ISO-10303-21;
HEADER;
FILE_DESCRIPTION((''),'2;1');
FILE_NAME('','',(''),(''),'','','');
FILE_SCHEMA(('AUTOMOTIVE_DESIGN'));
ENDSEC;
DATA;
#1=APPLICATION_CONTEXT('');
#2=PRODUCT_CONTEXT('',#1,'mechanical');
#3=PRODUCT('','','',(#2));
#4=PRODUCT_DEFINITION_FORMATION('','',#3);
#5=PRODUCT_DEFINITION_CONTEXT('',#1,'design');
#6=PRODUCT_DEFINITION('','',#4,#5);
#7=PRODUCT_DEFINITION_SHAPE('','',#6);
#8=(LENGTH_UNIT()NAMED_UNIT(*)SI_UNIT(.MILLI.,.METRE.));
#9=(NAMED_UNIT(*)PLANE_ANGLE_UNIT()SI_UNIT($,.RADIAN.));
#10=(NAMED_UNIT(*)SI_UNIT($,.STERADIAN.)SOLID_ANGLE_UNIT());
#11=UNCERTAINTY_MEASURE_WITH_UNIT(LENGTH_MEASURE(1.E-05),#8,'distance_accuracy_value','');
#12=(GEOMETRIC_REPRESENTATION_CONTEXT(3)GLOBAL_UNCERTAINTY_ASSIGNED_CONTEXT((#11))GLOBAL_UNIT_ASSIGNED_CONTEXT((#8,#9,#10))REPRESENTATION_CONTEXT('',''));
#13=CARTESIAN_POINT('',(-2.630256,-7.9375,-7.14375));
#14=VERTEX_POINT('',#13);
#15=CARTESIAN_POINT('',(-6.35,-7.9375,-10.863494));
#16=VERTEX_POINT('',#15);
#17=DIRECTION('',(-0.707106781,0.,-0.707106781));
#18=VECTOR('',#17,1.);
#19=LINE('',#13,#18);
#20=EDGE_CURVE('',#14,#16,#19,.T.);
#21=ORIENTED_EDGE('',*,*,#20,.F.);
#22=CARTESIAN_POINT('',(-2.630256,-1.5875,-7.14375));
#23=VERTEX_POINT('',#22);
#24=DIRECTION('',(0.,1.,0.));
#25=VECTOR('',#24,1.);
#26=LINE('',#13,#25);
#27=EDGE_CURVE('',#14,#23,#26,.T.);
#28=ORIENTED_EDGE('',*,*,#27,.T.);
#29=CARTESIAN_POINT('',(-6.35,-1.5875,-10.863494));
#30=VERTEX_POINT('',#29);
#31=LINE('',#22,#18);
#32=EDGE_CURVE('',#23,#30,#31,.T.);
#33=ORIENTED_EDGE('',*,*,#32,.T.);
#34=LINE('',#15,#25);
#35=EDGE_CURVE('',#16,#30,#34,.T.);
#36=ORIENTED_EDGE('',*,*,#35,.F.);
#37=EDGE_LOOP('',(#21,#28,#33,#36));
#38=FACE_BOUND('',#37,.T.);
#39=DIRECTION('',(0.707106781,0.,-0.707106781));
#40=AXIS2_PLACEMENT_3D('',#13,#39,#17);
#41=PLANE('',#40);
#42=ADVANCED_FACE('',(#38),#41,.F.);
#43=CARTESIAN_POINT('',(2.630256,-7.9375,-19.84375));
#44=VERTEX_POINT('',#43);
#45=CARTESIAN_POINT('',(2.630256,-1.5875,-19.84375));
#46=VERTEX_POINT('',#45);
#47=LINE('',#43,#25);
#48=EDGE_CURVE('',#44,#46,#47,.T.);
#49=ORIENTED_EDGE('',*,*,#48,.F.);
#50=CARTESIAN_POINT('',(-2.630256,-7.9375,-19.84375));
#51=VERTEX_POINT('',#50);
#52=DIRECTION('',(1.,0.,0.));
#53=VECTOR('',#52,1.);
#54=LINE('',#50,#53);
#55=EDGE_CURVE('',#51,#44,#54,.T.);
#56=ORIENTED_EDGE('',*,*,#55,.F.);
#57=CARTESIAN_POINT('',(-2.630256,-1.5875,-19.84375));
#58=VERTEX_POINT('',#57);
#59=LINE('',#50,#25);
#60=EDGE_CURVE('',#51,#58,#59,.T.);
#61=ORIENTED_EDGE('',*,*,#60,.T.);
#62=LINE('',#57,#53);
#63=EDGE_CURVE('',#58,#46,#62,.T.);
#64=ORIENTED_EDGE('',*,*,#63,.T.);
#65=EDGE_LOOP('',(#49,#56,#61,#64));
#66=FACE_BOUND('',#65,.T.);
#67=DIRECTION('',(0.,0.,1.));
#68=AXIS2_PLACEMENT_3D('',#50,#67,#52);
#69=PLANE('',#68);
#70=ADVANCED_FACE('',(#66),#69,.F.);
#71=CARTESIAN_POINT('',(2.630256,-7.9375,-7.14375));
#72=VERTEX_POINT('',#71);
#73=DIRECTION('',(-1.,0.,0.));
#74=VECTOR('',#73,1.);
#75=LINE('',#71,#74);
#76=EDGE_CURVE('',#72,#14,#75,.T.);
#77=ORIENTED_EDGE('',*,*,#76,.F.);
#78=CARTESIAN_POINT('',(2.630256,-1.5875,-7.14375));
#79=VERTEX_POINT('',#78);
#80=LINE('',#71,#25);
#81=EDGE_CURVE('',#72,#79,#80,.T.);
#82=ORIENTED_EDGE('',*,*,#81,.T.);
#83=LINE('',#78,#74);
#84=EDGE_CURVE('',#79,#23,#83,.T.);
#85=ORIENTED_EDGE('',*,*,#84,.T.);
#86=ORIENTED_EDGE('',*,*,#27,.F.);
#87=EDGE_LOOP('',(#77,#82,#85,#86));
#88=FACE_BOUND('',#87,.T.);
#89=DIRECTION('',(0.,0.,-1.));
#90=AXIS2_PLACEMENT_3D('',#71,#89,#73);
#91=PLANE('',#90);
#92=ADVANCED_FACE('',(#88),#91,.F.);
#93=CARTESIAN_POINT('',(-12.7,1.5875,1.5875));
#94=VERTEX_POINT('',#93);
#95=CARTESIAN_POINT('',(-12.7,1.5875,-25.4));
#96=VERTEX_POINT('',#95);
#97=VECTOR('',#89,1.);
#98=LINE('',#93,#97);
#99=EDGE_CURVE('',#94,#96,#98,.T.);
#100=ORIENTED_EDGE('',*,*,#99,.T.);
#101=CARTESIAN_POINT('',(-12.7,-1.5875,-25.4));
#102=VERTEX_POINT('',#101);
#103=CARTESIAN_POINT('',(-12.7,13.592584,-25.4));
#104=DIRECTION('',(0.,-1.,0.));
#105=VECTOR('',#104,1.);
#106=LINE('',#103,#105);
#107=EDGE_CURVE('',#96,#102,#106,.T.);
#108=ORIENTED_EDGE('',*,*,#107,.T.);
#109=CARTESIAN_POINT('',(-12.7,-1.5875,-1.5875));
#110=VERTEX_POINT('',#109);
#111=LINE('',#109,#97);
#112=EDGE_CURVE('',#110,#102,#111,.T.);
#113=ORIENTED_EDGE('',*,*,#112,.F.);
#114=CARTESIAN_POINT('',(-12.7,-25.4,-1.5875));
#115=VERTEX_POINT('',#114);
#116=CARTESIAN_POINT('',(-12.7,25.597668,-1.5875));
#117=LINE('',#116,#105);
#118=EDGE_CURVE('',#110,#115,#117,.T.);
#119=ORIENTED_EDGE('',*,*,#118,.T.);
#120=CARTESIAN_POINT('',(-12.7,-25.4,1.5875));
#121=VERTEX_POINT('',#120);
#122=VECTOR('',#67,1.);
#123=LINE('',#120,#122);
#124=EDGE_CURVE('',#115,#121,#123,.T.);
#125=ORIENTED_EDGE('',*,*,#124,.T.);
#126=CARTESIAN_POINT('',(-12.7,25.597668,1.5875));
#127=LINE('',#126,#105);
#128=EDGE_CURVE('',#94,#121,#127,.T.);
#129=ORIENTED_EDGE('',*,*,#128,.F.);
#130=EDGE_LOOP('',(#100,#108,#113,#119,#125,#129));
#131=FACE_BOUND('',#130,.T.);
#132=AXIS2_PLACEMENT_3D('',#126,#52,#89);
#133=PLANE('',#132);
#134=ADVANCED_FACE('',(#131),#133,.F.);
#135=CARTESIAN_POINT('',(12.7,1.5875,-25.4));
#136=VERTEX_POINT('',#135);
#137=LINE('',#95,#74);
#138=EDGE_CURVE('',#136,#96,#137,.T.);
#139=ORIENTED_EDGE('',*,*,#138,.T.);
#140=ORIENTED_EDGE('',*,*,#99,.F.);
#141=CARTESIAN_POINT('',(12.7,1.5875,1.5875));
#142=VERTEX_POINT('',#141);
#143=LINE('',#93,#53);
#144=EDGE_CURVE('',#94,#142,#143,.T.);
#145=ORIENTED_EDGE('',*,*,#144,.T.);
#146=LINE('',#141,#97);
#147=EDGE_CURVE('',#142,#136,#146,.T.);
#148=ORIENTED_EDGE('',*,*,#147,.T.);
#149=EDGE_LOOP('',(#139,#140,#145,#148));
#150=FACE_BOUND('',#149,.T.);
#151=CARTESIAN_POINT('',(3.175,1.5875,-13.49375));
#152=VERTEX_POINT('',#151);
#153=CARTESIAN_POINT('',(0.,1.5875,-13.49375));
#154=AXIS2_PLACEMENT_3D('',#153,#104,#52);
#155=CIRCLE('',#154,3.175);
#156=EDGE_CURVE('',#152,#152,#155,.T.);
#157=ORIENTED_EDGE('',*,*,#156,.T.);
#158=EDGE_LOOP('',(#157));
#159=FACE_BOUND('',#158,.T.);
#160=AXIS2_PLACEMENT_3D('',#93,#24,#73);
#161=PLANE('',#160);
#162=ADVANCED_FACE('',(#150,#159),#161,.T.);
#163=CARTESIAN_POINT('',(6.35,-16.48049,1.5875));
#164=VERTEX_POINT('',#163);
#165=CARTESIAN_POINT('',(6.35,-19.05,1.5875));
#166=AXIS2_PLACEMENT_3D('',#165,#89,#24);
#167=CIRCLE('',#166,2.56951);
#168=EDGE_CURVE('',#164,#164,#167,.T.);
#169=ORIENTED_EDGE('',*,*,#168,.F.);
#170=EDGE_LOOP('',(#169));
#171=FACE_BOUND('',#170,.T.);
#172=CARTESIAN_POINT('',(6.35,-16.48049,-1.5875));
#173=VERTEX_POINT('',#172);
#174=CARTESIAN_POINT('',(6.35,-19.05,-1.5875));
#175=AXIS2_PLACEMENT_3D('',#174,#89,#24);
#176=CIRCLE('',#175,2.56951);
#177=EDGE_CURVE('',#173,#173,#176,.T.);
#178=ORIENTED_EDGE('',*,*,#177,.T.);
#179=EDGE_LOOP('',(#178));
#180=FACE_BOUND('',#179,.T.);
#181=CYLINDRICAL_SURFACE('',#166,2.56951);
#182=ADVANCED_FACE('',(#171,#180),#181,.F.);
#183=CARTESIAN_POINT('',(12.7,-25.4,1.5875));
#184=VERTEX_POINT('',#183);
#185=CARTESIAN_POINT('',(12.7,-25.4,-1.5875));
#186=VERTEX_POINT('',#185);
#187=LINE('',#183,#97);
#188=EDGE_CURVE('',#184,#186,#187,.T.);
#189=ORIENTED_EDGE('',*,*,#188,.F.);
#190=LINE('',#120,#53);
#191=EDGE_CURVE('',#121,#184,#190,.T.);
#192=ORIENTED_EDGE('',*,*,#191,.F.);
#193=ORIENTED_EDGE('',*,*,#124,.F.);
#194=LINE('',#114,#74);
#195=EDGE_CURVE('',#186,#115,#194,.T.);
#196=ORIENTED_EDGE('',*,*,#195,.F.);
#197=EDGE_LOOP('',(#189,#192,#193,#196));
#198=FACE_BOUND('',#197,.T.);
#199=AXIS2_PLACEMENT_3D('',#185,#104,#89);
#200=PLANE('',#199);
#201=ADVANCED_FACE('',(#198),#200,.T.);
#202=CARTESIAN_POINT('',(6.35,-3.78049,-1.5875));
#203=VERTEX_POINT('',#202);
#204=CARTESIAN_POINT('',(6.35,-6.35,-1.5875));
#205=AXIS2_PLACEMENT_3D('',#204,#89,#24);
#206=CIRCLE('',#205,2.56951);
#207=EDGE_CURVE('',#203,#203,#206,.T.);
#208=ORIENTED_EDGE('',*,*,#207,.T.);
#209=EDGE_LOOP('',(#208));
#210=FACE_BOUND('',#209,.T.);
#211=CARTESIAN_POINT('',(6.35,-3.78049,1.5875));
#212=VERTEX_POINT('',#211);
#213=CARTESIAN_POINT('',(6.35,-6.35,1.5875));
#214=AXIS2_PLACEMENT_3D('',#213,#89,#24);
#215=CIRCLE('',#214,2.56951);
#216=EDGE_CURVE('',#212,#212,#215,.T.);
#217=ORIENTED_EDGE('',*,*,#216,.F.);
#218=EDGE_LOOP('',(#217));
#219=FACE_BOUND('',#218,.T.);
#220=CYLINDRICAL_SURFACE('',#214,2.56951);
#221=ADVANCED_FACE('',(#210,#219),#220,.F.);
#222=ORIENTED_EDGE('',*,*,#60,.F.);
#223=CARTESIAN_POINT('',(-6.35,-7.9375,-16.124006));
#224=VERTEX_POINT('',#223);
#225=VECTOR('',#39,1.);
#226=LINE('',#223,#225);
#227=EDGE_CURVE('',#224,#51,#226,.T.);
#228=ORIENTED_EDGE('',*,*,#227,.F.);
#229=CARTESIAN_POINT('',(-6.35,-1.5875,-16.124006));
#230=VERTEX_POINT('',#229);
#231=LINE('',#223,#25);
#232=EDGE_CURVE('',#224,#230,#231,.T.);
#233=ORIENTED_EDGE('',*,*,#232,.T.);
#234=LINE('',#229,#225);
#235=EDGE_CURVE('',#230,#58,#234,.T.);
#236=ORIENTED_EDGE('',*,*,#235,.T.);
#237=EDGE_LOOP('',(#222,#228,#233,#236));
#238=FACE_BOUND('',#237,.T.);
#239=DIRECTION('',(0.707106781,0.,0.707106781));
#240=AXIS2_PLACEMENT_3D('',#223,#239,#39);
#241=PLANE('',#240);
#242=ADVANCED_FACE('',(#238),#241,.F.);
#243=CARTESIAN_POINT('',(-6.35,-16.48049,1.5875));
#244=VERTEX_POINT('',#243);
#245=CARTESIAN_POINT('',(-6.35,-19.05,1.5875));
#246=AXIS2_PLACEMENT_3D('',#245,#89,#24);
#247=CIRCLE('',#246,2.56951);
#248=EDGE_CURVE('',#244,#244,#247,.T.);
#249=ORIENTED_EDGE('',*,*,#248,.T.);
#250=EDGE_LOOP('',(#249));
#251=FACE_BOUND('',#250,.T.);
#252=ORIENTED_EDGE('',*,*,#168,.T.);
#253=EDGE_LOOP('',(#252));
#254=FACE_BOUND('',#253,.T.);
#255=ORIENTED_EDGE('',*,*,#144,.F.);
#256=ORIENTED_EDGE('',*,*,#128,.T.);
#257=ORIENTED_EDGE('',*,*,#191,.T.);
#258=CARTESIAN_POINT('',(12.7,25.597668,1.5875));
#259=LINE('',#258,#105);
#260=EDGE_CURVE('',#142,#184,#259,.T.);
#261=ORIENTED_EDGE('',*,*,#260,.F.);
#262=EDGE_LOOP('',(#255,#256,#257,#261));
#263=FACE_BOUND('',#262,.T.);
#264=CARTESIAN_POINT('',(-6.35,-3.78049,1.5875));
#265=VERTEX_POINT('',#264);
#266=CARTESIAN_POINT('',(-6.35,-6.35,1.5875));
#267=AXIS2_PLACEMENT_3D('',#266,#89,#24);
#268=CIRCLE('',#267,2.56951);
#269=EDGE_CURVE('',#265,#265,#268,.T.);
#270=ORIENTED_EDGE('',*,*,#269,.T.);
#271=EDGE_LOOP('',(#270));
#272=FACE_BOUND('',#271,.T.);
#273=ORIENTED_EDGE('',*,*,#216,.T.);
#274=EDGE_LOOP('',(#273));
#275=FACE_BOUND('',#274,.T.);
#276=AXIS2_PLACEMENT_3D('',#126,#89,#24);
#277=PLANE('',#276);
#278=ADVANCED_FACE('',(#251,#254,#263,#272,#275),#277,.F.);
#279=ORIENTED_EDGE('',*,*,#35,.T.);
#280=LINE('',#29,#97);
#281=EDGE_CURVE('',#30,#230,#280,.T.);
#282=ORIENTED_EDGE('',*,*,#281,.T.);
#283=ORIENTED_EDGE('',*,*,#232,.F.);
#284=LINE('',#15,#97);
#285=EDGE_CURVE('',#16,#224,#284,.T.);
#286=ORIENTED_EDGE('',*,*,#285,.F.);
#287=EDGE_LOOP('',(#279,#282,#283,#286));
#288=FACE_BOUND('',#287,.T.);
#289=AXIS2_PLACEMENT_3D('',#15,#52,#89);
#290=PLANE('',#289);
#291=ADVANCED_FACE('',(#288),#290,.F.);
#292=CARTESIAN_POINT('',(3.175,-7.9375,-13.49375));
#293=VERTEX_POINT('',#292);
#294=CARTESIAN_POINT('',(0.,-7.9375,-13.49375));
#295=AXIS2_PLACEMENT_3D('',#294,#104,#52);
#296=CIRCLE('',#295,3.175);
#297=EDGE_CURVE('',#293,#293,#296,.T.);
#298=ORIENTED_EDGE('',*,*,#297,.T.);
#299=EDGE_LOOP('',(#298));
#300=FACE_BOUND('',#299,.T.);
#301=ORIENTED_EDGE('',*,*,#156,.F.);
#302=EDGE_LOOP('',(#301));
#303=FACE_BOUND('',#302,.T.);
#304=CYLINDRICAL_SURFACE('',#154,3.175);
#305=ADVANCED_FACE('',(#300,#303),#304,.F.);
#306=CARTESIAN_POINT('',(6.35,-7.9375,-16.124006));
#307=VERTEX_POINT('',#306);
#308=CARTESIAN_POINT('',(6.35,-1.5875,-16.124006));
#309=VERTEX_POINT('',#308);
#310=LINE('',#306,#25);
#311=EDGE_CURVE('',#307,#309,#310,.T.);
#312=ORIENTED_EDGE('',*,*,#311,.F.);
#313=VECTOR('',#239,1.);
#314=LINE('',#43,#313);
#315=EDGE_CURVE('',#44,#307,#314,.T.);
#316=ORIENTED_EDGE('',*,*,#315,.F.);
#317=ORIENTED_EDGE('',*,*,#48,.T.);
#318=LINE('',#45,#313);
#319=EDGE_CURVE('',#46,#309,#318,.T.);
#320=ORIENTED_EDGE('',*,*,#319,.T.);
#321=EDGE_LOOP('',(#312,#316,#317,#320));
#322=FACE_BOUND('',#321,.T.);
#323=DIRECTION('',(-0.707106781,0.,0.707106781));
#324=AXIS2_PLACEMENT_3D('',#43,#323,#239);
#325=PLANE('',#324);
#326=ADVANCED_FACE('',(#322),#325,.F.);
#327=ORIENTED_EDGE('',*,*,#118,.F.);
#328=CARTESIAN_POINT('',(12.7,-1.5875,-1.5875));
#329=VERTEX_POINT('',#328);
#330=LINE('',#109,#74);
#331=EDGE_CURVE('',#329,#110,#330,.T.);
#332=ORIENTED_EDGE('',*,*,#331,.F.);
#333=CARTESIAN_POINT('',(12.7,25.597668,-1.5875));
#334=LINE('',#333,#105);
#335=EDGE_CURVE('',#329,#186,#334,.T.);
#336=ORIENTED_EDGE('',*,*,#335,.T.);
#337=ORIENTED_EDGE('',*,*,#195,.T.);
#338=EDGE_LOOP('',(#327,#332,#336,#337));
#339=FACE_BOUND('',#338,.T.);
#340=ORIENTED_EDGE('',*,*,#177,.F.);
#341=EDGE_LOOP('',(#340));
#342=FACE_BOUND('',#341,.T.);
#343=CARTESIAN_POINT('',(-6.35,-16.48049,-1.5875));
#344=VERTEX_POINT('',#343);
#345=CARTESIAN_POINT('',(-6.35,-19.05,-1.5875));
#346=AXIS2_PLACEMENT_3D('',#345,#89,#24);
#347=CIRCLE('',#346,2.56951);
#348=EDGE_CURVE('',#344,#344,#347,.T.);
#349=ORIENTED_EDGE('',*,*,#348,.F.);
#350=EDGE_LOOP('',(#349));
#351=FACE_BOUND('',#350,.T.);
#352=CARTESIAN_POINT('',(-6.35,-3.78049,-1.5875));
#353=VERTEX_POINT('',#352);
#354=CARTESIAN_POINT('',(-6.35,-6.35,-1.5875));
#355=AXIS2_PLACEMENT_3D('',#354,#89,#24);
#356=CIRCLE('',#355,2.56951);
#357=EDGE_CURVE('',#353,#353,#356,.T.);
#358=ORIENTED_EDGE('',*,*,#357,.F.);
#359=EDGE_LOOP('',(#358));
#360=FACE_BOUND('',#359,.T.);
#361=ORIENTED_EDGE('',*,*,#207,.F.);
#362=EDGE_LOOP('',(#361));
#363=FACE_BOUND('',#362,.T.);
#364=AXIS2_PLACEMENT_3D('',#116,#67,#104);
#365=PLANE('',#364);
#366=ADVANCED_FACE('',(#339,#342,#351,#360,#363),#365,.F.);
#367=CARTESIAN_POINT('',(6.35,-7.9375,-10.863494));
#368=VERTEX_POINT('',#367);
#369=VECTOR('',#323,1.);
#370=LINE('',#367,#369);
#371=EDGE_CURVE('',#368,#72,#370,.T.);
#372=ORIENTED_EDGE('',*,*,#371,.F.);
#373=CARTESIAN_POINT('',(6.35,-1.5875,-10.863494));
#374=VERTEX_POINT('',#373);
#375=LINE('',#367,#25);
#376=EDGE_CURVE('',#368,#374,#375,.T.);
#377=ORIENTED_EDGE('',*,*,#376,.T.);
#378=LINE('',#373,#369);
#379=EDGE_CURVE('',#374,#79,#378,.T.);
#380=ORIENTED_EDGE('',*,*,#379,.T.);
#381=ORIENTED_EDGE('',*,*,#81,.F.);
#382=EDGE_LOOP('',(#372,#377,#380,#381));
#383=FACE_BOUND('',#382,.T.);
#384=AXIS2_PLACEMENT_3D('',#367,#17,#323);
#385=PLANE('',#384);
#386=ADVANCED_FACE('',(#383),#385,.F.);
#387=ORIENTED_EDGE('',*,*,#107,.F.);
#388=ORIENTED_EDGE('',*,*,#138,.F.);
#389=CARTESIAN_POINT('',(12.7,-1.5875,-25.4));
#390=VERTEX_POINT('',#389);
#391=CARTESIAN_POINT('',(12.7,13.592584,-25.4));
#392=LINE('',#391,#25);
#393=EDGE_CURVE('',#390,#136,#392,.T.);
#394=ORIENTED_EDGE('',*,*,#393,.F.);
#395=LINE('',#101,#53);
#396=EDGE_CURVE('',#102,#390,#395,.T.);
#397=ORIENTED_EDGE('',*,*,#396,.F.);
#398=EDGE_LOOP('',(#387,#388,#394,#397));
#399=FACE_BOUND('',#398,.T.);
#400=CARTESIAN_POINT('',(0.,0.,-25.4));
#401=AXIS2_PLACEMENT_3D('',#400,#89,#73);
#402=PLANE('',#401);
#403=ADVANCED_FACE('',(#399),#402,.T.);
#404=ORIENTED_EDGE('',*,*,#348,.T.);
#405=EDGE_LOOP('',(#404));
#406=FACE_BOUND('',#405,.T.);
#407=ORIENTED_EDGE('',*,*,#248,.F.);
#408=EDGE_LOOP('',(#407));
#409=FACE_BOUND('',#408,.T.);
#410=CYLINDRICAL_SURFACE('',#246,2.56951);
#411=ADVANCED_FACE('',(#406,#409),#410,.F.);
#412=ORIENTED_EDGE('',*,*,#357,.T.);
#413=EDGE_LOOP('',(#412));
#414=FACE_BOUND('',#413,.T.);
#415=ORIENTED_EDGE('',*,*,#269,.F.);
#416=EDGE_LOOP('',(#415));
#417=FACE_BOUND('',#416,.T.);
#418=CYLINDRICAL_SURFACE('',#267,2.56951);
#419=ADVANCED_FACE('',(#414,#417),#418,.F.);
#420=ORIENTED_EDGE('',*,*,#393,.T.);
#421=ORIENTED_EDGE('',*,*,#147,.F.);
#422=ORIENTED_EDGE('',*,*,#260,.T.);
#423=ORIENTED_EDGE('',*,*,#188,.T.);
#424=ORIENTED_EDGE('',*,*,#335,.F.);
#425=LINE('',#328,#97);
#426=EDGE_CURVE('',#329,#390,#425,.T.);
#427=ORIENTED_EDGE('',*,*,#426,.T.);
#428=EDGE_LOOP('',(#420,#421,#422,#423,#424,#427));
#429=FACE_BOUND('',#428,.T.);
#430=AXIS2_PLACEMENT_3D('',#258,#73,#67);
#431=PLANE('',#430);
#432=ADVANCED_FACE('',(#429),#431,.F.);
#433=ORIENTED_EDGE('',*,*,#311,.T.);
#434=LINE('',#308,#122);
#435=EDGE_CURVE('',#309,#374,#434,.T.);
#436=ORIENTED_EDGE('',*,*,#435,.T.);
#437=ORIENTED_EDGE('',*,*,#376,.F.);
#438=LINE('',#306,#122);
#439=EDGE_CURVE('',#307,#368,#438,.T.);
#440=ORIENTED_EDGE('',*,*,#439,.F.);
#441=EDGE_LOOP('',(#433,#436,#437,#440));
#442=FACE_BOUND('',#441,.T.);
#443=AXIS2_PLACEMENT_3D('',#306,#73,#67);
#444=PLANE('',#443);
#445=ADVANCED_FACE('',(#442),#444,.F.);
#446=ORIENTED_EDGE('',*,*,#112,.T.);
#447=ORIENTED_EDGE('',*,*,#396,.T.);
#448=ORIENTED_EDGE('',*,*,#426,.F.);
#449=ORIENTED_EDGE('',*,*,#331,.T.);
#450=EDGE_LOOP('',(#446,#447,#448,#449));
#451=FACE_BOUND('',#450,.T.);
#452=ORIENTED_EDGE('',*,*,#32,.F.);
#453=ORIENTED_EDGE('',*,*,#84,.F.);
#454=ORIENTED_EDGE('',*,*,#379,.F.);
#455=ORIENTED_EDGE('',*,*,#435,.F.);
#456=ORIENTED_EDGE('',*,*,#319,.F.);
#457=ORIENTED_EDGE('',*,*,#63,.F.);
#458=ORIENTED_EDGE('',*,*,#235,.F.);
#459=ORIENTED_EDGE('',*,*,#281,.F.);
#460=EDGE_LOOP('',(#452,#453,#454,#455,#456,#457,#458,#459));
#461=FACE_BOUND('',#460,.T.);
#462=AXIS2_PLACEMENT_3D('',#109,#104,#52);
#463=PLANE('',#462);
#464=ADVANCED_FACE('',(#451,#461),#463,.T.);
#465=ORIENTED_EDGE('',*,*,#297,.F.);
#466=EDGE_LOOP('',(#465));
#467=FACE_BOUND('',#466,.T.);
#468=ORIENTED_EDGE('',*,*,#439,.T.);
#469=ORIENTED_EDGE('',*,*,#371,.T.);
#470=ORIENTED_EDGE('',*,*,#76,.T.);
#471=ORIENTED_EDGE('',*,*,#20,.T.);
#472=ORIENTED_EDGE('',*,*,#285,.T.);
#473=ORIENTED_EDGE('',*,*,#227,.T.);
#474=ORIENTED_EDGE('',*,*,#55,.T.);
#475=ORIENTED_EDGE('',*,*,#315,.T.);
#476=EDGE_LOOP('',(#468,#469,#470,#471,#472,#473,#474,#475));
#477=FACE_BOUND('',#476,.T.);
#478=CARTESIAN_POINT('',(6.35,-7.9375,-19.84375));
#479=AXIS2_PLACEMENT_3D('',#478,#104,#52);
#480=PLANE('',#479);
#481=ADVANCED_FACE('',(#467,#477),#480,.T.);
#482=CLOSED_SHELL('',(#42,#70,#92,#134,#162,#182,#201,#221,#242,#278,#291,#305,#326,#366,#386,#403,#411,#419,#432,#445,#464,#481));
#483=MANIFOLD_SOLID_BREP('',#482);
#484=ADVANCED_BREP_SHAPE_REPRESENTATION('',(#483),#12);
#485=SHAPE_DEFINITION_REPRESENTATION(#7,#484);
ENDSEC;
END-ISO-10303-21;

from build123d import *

# Parameters (mm, degrees)
ESQUISSE2_W             = 25.4
ESQUISSE2_H             = 3.175
BOSS_EXTRU_1_DEPTH      = 6.35
ESQUISSE5_R             = 3.175
ENL_V_MAT_EXTRU_1_DEPTH = 34.3375
ESQUISSE7_R             = 2.569510145
ENL_V_MAT_EXTRU_2_DEPTH = 38.060560658


with BuildPart() as part:
    # Balayage1: sweep along a path in Esquisse1
    with BuildLine(Plane(origin=(0, 0, 0), x_dir=(0, 0, -1), z_dir=(1, 0, 0))) as balayage1_path:
        Line((25.4, 0), (0, 0))
        Line((0, 0), (0, -25.4))
    # Esquisse2 → Balayage1 (sweep)
    with BuildSketch(Plane(origin=(0, -25.4, 0), x_dir=(-1, 0, 0), z_dir=(0, 1, 0))):
        Rectangle(ESQUISSE2_W, ESQUISSE2_H)
    sweep(path=balayage1_path.line, transition=Transition.RIGHT)

    # Esquisse3 → Boss.-Extru.1 (add)
    with BuildSketch(Plane.XZ.offset(1.5875)):
        Polygon((2.630256121, -19.84375), (6.35, -16.124006121), (6.35, -10.863493879), (2.630256121, -7.14375), (-2.630256121, -7.14375), (-6.35, -10.863493879), (-6.35, -16.124006121), (-2.630256121, -19.84375), align=None)
    extrude(amount=BOSS_EXTRU_1_DEPTH)

    # Esquisse5 → Enlèv. mat.-Extru.1 (cut, through all)
    with BuildSketch(Plane.XZ.offset(7.9375)):
        with Locations((0, -13.49375)):
            Circle(ESQUISSE5_R)
    extrude(amount=-ENL_V_MAT_EXTRU_1_DEPTH, mode=Mode.SUBTRACT)

    # Esquisse7 → Enlèv. mat.-Extru.2 (cut, through all)
    with BuildSketch(Plane(origin=(0, 0, -1.5875), x_dir=(-1, 0, 0), z_dir=(0, 0, -1))):
        with Locations(Location((-6.35, -19.05, 0), (0, 0, 90))):
            Circle(ESQUISSE7_R)
        with Locations(Location((-6.35, -6.35, 0), (0, 0, 90))):
            Circle(ESQUISSE7_R)
        with Locations(Location((6.35, -19.05, 0), (0, 0, 90))):
            Circle(ESQUISSE7_R)
        with Locations(Location((6.35, -6.35, 0), (0, 0, 90))):
            Circle(ESQUISSE7_R)
    extrude(amount=-ENL_V_MAT_EXTRU_2_DEPTH, mode=Mode.SUBTRACT)


solid = part.part
